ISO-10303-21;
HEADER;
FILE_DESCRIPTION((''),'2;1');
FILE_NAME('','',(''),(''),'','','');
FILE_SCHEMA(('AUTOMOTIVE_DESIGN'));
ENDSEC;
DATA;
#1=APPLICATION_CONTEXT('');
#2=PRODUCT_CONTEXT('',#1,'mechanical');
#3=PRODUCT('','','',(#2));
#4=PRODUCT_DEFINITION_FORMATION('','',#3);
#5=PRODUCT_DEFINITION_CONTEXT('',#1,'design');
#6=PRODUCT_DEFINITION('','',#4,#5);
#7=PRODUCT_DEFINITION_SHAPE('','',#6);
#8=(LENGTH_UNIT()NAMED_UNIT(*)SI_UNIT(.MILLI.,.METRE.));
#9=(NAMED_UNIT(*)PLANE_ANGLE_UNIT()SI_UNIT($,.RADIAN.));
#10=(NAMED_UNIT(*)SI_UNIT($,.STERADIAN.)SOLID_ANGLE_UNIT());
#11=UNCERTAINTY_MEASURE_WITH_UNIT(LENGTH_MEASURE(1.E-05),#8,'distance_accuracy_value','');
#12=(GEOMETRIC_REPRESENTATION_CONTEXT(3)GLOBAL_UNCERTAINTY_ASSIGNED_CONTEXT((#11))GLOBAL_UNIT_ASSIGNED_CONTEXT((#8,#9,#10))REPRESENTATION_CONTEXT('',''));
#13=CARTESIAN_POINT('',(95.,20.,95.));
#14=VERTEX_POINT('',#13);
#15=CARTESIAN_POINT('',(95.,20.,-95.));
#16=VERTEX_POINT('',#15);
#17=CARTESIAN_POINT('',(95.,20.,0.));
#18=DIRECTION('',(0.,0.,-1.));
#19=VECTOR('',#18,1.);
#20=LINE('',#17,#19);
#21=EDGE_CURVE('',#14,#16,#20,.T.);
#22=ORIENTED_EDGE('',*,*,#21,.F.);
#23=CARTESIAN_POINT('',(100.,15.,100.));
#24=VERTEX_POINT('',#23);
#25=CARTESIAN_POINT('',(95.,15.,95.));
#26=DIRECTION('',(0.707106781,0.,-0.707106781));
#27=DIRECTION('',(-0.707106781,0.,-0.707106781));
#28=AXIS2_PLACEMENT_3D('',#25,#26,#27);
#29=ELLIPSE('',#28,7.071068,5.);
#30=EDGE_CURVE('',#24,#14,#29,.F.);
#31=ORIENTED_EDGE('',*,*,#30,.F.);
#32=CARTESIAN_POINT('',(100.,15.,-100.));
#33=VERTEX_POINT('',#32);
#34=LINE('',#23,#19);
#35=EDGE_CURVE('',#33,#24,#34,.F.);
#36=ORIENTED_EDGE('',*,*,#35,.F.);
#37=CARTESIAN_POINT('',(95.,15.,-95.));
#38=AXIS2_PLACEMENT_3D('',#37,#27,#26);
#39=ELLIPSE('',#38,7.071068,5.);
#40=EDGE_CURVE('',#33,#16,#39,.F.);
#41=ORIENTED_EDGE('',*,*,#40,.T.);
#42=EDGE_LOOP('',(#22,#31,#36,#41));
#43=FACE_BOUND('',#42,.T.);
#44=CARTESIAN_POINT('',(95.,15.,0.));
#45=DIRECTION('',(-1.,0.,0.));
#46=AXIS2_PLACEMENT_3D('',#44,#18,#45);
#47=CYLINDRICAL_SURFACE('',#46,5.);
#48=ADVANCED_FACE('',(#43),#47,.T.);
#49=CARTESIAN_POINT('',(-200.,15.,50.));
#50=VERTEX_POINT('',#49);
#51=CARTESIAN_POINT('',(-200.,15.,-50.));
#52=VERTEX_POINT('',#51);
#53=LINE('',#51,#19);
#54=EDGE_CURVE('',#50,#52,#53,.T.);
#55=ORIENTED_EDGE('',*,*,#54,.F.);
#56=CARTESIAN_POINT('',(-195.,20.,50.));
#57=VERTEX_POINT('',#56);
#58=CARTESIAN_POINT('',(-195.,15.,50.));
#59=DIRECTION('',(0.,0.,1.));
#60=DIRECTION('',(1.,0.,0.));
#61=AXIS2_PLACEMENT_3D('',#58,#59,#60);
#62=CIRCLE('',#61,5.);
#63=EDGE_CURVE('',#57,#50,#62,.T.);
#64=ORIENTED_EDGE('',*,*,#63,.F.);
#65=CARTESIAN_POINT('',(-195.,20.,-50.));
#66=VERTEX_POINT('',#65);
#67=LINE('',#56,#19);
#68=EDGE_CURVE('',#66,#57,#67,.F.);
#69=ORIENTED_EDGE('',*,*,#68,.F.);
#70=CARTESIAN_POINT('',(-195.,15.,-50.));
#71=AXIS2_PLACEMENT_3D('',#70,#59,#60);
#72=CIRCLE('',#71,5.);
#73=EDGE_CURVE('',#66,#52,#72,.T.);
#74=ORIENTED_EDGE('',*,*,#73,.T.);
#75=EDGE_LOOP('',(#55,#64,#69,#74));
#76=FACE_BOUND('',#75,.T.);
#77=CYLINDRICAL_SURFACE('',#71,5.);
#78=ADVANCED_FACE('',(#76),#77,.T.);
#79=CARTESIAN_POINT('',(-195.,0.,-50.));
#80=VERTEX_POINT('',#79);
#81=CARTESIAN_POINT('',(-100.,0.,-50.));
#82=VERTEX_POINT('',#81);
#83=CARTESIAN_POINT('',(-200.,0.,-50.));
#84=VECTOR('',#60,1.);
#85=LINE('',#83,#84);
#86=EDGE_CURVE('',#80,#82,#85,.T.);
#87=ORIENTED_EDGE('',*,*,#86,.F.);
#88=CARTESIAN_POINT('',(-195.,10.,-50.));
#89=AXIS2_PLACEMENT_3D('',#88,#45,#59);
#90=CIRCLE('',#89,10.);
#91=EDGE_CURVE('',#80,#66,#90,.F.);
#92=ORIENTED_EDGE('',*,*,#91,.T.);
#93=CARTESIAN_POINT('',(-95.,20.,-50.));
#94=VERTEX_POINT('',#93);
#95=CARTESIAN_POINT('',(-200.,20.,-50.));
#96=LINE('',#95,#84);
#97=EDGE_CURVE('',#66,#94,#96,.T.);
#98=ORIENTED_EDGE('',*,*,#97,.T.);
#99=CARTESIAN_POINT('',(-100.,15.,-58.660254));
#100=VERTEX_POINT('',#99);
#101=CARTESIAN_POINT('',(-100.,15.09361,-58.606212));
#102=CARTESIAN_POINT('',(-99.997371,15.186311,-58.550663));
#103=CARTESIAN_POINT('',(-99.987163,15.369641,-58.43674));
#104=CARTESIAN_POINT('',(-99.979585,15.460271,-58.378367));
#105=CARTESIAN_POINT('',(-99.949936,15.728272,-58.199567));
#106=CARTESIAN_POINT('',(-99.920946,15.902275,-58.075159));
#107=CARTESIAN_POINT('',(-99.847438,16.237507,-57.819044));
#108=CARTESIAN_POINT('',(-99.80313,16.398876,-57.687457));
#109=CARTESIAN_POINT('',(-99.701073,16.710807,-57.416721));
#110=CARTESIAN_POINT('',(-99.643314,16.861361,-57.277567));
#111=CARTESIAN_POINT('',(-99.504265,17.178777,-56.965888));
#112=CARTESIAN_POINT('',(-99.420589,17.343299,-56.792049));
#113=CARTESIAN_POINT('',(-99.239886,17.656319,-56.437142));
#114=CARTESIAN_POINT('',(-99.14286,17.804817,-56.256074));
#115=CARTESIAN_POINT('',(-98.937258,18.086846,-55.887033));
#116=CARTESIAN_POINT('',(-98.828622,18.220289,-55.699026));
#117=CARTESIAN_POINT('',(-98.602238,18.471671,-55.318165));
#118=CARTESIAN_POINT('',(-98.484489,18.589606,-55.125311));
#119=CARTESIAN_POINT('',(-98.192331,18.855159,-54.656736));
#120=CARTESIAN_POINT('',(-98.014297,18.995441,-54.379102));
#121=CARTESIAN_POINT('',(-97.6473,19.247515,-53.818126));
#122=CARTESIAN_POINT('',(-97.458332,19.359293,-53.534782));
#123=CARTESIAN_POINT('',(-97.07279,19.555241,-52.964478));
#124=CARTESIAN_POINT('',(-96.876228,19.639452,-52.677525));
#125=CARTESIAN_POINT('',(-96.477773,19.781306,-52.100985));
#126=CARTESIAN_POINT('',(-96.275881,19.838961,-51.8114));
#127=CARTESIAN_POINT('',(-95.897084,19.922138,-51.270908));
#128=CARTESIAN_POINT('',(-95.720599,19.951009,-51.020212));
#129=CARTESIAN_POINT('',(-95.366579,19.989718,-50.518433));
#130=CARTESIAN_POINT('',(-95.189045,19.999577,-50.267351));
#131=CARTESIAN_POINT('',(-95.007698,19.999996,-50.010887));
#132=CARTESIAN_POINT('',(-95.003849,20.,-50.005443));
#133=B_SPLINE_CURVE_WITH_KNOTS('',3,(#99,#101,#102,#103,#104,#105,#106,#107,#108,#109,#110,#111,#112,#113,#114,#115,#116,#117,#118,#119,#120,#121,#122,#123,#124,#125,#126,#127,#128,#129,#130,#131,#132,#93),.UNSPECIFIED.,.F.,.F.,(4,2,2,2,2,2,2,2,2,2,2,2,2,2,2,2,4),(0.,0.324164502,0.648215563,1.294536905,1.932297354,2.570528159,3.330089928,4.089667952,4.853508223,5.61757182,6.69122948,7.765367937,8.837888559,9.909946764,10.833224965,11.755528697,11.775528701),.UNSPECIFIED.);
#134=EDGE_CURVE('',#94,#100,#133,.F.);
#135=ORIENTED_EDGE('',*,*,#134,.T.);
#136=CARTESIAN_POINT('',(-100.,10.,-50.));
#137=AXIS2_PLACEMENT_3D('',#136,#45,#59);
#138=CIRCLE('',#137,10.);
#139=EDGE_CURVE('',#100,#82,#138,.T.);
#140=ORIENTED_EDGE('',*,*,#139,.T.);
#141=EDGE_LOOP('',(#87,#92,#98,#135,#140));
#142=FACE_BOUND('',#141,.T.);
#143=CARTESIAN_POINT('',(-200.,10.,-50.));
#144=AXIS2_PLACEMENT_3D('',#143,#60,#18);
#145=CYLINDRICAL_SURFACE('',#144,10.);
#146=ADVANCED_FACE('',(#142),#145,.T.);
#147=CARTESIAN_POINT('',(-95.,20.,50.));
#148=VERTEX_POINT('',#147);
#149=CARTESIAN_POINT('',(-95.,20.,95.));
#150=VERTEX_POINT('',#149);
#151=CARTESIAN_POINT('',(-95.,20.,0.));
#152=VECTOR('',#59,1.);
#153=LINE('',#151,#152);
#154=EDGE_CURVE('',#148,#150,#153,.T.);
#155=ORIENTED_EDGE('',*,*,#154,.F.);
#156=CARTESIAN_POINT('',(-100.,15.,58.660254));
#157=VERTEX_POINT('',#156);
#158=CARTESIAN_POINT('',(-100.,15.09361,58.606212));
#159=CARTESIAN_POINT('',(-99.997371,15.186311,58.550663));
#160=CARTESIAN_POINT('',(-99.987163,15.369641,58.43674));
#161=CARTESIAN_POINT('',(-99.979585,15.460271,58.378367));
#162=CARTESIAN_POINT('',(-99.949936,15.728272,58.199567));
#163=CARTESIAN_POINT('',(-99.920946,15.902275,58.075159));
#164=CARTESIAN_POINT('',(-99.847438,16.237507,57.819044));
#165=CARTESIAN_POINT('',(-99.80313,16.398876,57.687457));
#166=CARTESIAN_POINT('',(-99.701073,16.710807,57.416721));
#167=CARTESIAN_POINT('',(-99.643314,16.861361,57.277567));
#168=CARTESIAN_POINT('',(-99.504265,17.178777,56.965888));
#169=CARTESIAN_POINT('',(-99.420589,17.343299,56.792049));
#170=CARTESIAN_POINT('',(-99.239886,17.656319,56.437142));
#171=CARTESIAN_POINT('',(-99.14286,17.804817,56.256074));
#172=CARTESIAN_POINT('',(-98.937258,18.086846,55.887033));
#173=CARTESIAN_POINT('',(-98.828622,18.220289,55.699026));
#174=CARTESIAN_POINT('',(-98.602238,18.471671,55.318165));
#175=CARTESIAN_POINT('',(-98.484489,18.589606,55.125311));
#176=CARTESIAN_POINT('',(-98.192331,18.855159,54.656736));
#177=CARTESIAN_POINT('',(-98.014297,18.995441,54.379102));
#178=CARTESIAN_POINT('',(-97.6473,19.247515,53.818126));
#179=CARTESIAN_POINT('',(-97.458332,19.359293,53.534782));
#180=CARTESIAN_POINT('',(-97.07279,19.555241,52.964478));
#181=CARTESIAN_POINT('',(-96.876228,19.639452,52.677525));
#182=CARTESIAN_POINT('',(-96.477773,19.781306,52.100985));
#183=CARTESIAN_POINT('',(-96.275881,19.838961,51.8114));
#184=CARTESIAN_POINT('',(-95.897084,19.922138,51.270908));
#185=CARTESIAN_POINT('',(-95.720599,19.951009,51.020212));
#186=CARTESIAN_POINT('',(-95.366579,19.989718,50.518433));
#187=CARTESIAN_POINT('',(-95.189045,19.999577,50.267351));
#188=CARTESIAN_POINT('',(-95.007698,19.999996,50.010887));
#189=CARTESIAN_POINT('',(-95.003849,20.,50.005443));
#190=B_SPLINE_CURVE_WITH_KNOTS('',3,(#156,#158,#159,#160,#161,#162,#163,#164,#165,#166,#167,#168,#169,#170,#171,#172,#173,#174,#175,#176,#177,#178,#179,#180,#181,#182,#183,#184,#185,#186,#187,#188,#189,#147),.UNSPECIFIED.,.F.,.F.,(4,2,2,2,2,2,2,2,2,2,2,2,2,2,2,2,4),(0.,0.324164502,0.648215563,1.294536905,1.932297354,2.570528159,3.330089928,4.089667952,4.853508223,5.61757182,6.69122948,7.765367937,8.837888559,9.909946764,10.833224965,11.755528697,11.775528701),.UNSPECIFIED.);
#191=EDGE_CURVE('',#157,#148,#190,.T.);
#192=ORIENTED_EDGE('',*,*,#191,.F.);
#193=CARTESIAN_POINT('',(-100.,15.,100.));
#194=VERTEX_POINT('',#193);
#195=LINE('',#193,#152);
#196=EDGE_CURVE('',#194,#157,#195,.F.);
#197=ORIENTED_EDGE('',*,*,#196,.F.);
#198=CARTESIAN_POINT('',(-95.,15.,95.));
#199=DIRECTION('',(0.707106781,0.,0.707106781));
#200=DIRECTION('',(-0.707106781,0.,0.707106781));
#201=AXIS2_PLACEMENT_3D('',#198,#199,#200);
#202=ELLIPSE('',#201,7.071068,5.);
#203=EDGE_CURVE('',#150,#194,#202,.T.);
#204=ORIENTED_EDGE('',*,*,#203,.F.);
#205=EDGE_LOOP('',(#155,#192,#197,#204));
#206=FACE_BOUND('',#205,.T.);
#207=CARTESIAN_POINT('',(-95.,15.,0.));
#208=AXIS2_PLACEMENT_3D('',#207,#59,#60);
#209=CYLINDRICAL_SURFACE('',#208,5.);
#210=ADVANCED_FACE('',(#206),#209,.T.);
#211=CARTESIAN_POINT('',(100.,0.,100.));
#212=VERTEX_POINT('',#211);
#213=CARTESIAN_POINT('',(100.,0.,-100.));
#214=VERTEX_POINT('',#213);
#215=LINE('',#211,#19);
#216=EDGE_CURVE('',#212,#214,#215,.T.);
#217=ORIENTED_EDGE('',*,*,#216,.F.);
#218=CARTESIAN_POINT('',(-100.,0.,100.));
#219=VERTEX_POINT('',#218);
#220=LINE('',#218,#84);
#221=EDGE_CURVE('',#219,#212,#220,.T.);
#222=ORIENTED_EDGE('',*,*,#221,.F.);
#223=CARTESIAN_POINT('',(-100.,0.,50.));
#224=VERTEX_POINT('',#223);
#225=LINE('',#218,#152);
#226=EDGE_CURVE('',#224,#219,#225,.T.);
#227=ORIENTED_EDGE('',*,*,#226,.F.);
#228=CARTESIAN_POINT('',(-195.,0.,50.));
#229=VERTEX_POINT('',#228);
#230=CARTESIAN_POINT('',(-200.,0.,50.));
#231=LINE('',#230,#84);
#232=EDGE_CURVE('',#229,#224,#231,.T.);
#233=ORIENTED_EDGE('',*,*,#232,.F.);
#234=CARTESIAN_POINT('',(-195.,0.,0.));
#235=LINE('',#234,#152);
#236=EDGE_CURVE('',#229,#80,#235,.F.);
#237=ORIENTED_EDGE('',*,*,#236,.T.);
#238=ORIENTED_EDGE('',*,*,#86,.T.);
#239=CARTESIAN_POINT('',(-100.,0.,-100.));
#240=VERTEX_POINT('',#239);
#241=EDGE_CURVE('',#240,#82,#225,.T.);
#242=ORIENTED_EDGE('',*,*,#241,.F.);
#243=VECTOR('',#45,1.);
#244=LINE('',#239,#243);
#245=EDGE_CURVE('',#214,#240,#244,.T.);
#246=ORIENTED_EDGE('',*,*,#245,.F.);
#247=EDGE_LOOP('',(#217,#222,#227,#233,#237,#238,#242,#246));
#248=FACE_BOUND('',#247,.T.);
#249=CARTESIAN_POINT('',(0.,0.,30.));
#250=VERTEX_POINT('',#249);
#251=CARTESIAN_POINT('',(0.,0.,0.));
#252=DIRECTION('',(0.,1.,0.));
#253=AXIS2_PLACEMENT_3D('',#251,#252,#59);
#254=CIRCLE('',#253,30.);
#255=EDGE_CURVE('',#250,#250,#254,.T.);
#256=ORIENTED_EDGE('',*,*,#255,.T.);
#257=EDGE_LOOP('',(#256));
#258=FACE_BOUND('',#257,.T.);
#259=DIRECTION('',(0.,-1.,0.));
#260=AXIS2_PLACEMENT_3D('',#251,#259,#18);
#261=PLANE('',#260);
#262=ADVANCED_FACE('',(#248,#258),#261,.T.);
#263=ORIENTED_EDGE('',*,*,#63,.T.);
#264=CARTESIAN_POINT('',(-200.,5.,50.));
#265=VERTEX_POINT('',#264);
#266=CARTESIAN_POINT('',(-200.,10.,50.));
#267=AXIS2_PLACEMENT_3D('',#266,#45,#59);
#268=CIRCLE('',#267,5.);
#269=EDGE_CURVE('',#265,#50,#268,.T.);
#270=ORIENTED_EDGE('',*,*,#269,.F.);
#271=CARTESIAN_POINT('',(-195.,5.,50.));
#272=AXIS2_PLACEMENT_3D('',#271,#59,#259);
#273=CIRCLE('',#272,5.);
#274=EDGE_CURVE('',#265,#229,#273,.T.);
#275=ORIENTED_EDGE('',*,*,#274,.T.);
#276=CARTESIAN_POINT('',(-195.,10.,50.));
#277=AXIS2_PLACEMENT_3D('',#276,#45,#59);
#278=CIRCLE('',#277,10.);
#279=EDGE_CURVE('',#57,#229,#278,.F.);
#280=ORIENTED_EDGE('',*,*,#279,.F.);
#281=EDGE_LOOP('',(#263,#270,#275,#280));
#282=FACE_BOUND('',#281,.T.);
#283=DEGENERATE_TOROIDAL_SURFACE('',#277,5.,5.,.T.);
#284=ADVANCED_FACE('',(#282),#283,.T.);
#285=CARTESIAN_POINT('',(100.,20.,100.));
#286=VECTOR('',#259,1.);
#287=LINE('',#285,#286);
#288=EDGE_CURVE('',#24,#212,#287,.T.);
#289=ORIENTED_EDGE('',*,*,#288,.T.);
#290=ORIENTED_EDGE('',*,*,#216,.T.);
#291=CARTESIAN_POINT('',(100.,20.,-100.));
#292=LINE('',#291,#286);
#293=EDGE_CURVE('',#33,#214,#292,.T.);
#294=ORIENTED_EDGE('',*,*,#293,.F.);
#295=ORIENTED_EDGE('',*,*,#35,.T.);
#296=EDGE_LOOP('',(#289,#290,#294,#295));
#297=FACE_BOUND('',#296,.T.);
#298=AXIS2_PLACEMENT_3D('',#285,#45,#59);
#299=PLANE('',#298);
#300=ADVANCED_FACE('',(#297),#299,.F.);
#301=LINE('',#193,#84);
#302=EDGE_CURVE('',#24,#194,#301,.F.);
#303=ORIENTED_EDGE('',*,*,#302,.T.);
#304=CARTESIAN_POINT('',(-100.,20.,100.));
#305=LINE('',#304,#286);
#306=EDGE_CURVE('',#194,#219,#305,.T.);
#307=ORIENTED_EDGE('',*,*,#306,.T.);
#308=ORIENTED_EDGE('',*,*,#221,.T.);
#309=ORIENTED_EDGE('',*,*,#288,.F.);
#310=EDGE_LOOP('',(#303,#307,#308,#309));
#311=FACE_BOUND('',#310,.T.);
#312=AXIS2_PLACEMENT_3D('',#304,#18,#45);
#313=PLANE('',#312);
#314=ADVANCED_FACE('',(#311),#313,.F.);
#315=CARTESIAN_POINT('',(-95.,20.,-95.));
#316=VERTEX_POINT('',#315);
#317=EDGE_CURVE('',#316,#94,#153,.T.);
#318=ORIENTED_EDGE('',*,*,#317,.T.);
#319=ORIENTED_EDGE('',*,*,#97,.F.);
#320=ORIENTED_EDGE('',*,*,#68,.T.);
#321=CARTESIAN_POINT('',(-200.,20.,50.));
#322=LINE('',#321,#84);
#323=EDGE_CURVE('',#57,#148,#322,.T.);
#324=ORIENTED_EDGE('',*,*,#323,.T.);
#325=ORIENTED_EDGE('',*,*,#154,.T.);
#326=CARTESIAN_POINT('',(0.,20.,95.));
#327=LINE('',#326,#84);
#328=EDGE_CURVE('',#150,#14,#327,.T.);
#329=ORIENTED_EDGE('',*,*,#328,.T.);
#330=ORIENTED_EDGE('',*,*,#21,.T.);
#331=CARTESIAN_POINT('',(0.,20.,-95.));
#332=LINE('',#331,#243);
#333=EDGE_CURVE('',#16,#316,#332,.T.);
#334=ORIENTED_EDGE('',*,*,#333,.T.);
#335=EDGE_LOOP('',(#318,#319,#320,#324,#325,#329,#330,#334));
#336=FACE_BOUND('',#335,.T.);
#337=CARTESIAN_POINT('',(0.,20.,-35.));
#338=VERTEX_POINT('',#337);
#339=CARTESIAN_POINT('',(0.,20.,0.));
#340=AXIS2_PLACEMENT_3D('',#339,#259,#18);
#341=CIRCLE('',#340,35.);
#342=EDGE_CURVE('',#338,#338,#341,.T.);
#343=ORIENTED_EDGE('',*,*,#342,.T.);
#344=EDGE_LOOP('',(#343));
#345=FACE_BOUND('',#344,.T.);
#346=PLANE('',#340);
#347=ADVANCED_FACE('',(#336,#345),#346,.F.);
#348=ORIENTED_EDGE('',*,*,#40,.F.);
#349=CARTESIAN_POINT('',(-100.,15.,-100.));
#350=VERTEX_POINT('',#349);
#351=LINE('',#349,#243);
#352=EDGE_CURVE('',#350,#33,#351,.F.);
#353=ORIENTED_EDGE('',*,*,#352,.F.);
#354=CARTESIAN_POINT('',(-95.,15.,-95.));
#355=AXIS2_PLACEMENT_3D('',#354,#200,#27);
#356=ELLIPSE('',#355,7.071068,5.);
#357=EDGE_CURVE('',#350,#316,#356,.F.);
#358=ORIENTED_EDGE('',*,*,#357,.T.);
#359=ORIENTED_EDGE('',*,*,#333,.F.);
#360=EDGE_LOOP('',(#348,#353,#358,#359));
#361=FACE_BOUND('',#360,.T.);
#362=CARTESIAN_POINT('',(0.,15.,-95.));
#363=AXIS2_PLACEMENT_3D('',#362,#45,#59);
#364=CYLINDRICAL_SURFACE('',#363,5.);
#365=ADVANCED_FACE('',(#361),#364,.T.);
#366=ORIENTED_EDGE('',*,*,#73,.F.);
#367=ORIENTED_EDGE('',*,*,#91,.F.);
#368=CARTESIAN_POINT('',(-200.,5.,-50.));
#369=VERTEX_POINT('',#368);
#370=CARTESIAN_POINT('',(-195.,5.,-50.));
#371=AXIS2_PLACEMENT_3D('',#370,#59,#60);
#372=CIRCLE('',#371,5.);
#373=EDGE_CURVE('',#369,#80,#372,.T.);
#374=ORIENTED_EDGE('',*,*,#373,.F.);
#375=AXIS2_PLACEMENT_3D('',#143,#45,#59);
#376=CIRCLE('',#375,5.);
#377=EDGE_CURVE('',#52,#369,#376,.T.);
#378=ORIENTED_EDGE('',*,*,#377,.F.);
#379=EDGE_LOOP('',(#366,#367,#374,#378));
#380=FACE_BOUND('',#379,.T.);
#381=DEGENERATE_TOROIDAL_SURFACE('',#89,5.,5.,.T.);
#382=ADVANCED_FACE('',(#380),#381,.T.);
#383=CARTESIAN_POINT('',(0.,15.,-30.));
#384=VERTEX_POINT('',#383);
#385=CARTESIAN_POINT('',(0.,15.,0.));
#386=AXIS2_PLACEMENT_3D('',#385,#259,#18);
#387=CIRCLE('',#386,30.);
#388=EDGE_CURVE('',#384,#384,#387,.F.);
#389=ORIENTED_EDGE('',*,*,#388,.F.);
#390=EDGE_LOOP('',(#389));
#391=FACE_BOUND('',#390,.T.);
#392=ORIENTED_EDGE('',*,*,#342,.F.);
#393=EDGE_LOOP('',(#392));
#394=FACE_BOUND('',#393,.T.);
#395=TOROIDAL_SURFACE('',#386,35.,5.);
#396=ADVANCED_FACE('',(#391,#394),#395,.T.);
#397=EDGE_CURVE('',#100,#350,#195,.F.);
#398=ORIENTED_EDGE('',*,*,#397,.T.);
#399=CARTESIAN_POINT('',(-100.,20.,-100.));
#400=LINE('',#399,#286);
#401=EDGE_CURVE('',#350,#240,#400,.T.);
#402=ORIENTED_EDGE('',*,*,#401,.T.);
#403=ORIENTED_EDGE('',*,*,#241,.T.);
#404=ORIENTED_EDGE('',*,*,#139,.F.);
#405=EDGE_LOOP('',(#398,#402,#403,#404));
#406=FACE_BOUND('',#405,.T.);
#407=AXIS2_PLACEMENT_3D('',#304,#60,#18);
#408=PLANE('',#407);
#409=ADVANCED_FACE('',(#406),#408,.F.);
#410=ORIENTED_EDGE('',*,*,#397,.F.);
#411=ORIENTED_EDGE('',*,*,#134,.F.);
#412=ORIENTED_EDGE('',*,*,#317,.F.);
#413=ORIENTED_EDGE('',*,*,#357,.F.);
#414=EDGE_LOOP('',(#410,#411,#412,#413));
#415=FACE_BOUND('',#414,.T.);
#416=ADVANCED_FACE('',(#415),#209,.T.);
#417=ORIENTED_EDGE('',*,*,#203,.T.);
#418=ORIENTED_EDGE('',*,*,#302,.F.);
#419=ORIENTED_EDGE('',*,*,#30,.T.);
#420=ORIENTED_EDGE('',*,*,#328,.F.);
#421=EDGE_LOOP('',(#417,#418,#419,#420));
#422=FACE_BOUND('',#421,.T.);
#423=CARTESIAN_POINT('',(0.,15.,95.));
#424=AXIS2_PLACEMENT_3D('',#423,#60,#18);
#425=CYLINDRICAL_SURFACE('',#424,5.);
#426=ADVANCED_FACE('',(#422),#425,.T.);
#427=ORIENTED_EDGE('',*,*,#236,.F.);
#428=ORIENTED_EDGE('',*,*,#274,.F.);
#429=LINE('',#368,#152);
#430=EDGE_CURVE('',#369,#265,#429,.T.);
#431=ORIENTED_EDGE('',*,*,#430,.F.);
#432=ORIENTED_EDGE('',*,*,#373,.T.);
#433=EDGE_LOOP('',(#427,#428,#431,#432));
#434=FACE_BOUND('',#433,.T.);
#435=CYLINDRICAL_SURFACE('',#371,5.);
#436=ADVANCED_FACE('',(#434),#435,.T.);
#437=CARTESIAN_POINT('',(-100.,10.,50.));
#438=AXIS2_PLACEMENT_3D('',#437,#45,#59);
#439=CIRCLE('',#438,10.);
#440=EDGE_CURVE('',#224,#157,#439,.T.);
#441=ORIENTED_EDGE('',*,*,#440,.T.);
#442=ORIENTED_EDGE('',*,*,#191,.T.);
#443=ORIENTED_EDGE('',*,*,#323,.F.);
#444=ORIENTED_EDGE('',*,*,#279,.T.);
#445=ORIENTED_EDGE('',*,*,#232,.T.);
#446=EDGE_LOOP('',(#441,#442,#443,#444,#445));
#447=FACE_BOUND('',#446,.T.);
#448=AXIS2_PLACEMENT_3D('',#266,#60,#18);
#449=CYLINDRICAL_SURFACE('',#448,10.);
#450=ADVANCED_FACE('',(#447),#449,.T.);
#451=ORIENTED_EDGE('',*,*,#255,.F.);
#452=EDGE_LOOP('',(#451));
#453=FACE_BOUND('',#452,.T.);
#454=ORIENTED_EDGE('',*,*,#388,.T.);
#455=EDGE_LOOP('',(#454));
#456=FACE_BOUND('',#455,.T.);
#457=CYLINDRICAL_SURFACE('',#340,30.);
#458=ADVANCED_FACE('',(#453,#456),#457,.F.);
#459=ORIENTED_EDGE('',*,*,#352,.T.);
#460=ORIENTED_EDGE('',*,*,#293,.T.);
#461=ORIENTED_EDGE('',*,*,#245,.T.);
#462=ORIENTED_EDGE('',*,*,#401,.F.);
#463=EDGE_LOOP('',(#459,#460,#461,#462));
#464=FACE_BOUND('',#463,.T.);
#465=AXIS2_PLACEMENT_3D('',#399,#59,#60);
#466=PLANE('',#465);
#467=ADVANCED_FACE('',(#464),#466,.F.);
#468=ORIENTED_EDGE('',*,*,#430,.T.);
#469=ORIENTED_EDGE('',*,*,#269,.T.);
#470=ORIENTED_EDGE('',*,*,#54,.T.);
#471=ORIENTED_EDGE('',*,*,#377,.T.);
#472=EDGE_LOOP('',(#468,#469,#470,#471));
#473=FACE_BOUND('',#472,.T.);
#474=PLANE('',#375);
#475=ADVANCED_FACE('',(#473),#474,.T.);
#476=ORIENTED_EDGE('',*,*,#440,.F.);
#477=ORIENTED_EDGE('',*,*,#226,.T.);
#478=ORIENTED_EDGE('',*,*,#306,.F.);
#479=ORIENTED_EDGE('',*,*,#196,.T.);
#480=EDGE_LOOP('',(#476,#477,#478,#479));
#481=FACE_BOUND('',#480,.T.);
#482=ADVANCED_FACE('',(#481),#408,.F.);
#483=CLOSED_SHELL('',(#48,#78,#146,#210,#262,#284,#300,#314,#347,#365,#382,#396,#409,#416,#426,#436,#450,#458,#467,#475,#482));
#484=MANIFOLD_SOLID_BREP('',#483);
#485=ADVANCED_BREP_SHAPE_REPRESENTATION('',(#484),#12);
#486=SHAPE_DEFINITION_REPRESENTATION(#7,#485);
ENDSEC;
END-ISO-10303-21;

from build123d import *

# Parameters (mm, degrees)
SKETCH2_W           = 200
SKETCH2_H           = 200
SKETCH2_R           = 30
BOSS_EXTRUDE2_DEPTH = 20
BOSS_EXTRUDE3_DEPTH = 100
FILLET1_R           = 5


with BuildPart() as part:
    # Sketch2 → Boss-Extrude2 (new body)
    with BuildSketch(Plane(origin=(0, 0, 0), x_dir=(1, 0, 0), z_dir=(0, 1, 0))):
        Rectangle(SKETCH2_W, SKETCH2_H)
        with Locations(Location((0, 0, 0), (0, 0, 270))):
            Circle(SKETCH2_R, mode=Mode.SUBTRACT)
    extrude(amount=BOSS_EXTRUDE2_DEPTH)

    # Sketch4 → Boss-Extrude3 (add)
    with BuildSketch(Plane.ZY.offset(100)):
        with BuildLine():
            Line((-50, 20), (50, 20))
            ThreePointArc((50, 20), (60, 10), (50, 0))
            Line((50, 0), (-50, 0))
            ThreePointArc((-50, 0), (-60, 10), (-50, 20))
        make_face()
    extrude(amount=BOSS_EXTRUDE3_DEPTH)

    # Fillet1
    fillet1_edges = [part.edges().sort_by_distance(p)[0] for p in [
        (0, 20, -30),
        (-100, 20, -75),
        (0, 20, 100),
        (-100, 20, 75),
        (-200, 10, -60),
        (-200, 0, 0),
        (-200, 10, 60),
        (-200, 20, 0),
        (100, 20, 0),
        (0, 20, -100),
    ]]
    fillet(fillet1_edges, radius=FILLET1_R)


solid = part.part
